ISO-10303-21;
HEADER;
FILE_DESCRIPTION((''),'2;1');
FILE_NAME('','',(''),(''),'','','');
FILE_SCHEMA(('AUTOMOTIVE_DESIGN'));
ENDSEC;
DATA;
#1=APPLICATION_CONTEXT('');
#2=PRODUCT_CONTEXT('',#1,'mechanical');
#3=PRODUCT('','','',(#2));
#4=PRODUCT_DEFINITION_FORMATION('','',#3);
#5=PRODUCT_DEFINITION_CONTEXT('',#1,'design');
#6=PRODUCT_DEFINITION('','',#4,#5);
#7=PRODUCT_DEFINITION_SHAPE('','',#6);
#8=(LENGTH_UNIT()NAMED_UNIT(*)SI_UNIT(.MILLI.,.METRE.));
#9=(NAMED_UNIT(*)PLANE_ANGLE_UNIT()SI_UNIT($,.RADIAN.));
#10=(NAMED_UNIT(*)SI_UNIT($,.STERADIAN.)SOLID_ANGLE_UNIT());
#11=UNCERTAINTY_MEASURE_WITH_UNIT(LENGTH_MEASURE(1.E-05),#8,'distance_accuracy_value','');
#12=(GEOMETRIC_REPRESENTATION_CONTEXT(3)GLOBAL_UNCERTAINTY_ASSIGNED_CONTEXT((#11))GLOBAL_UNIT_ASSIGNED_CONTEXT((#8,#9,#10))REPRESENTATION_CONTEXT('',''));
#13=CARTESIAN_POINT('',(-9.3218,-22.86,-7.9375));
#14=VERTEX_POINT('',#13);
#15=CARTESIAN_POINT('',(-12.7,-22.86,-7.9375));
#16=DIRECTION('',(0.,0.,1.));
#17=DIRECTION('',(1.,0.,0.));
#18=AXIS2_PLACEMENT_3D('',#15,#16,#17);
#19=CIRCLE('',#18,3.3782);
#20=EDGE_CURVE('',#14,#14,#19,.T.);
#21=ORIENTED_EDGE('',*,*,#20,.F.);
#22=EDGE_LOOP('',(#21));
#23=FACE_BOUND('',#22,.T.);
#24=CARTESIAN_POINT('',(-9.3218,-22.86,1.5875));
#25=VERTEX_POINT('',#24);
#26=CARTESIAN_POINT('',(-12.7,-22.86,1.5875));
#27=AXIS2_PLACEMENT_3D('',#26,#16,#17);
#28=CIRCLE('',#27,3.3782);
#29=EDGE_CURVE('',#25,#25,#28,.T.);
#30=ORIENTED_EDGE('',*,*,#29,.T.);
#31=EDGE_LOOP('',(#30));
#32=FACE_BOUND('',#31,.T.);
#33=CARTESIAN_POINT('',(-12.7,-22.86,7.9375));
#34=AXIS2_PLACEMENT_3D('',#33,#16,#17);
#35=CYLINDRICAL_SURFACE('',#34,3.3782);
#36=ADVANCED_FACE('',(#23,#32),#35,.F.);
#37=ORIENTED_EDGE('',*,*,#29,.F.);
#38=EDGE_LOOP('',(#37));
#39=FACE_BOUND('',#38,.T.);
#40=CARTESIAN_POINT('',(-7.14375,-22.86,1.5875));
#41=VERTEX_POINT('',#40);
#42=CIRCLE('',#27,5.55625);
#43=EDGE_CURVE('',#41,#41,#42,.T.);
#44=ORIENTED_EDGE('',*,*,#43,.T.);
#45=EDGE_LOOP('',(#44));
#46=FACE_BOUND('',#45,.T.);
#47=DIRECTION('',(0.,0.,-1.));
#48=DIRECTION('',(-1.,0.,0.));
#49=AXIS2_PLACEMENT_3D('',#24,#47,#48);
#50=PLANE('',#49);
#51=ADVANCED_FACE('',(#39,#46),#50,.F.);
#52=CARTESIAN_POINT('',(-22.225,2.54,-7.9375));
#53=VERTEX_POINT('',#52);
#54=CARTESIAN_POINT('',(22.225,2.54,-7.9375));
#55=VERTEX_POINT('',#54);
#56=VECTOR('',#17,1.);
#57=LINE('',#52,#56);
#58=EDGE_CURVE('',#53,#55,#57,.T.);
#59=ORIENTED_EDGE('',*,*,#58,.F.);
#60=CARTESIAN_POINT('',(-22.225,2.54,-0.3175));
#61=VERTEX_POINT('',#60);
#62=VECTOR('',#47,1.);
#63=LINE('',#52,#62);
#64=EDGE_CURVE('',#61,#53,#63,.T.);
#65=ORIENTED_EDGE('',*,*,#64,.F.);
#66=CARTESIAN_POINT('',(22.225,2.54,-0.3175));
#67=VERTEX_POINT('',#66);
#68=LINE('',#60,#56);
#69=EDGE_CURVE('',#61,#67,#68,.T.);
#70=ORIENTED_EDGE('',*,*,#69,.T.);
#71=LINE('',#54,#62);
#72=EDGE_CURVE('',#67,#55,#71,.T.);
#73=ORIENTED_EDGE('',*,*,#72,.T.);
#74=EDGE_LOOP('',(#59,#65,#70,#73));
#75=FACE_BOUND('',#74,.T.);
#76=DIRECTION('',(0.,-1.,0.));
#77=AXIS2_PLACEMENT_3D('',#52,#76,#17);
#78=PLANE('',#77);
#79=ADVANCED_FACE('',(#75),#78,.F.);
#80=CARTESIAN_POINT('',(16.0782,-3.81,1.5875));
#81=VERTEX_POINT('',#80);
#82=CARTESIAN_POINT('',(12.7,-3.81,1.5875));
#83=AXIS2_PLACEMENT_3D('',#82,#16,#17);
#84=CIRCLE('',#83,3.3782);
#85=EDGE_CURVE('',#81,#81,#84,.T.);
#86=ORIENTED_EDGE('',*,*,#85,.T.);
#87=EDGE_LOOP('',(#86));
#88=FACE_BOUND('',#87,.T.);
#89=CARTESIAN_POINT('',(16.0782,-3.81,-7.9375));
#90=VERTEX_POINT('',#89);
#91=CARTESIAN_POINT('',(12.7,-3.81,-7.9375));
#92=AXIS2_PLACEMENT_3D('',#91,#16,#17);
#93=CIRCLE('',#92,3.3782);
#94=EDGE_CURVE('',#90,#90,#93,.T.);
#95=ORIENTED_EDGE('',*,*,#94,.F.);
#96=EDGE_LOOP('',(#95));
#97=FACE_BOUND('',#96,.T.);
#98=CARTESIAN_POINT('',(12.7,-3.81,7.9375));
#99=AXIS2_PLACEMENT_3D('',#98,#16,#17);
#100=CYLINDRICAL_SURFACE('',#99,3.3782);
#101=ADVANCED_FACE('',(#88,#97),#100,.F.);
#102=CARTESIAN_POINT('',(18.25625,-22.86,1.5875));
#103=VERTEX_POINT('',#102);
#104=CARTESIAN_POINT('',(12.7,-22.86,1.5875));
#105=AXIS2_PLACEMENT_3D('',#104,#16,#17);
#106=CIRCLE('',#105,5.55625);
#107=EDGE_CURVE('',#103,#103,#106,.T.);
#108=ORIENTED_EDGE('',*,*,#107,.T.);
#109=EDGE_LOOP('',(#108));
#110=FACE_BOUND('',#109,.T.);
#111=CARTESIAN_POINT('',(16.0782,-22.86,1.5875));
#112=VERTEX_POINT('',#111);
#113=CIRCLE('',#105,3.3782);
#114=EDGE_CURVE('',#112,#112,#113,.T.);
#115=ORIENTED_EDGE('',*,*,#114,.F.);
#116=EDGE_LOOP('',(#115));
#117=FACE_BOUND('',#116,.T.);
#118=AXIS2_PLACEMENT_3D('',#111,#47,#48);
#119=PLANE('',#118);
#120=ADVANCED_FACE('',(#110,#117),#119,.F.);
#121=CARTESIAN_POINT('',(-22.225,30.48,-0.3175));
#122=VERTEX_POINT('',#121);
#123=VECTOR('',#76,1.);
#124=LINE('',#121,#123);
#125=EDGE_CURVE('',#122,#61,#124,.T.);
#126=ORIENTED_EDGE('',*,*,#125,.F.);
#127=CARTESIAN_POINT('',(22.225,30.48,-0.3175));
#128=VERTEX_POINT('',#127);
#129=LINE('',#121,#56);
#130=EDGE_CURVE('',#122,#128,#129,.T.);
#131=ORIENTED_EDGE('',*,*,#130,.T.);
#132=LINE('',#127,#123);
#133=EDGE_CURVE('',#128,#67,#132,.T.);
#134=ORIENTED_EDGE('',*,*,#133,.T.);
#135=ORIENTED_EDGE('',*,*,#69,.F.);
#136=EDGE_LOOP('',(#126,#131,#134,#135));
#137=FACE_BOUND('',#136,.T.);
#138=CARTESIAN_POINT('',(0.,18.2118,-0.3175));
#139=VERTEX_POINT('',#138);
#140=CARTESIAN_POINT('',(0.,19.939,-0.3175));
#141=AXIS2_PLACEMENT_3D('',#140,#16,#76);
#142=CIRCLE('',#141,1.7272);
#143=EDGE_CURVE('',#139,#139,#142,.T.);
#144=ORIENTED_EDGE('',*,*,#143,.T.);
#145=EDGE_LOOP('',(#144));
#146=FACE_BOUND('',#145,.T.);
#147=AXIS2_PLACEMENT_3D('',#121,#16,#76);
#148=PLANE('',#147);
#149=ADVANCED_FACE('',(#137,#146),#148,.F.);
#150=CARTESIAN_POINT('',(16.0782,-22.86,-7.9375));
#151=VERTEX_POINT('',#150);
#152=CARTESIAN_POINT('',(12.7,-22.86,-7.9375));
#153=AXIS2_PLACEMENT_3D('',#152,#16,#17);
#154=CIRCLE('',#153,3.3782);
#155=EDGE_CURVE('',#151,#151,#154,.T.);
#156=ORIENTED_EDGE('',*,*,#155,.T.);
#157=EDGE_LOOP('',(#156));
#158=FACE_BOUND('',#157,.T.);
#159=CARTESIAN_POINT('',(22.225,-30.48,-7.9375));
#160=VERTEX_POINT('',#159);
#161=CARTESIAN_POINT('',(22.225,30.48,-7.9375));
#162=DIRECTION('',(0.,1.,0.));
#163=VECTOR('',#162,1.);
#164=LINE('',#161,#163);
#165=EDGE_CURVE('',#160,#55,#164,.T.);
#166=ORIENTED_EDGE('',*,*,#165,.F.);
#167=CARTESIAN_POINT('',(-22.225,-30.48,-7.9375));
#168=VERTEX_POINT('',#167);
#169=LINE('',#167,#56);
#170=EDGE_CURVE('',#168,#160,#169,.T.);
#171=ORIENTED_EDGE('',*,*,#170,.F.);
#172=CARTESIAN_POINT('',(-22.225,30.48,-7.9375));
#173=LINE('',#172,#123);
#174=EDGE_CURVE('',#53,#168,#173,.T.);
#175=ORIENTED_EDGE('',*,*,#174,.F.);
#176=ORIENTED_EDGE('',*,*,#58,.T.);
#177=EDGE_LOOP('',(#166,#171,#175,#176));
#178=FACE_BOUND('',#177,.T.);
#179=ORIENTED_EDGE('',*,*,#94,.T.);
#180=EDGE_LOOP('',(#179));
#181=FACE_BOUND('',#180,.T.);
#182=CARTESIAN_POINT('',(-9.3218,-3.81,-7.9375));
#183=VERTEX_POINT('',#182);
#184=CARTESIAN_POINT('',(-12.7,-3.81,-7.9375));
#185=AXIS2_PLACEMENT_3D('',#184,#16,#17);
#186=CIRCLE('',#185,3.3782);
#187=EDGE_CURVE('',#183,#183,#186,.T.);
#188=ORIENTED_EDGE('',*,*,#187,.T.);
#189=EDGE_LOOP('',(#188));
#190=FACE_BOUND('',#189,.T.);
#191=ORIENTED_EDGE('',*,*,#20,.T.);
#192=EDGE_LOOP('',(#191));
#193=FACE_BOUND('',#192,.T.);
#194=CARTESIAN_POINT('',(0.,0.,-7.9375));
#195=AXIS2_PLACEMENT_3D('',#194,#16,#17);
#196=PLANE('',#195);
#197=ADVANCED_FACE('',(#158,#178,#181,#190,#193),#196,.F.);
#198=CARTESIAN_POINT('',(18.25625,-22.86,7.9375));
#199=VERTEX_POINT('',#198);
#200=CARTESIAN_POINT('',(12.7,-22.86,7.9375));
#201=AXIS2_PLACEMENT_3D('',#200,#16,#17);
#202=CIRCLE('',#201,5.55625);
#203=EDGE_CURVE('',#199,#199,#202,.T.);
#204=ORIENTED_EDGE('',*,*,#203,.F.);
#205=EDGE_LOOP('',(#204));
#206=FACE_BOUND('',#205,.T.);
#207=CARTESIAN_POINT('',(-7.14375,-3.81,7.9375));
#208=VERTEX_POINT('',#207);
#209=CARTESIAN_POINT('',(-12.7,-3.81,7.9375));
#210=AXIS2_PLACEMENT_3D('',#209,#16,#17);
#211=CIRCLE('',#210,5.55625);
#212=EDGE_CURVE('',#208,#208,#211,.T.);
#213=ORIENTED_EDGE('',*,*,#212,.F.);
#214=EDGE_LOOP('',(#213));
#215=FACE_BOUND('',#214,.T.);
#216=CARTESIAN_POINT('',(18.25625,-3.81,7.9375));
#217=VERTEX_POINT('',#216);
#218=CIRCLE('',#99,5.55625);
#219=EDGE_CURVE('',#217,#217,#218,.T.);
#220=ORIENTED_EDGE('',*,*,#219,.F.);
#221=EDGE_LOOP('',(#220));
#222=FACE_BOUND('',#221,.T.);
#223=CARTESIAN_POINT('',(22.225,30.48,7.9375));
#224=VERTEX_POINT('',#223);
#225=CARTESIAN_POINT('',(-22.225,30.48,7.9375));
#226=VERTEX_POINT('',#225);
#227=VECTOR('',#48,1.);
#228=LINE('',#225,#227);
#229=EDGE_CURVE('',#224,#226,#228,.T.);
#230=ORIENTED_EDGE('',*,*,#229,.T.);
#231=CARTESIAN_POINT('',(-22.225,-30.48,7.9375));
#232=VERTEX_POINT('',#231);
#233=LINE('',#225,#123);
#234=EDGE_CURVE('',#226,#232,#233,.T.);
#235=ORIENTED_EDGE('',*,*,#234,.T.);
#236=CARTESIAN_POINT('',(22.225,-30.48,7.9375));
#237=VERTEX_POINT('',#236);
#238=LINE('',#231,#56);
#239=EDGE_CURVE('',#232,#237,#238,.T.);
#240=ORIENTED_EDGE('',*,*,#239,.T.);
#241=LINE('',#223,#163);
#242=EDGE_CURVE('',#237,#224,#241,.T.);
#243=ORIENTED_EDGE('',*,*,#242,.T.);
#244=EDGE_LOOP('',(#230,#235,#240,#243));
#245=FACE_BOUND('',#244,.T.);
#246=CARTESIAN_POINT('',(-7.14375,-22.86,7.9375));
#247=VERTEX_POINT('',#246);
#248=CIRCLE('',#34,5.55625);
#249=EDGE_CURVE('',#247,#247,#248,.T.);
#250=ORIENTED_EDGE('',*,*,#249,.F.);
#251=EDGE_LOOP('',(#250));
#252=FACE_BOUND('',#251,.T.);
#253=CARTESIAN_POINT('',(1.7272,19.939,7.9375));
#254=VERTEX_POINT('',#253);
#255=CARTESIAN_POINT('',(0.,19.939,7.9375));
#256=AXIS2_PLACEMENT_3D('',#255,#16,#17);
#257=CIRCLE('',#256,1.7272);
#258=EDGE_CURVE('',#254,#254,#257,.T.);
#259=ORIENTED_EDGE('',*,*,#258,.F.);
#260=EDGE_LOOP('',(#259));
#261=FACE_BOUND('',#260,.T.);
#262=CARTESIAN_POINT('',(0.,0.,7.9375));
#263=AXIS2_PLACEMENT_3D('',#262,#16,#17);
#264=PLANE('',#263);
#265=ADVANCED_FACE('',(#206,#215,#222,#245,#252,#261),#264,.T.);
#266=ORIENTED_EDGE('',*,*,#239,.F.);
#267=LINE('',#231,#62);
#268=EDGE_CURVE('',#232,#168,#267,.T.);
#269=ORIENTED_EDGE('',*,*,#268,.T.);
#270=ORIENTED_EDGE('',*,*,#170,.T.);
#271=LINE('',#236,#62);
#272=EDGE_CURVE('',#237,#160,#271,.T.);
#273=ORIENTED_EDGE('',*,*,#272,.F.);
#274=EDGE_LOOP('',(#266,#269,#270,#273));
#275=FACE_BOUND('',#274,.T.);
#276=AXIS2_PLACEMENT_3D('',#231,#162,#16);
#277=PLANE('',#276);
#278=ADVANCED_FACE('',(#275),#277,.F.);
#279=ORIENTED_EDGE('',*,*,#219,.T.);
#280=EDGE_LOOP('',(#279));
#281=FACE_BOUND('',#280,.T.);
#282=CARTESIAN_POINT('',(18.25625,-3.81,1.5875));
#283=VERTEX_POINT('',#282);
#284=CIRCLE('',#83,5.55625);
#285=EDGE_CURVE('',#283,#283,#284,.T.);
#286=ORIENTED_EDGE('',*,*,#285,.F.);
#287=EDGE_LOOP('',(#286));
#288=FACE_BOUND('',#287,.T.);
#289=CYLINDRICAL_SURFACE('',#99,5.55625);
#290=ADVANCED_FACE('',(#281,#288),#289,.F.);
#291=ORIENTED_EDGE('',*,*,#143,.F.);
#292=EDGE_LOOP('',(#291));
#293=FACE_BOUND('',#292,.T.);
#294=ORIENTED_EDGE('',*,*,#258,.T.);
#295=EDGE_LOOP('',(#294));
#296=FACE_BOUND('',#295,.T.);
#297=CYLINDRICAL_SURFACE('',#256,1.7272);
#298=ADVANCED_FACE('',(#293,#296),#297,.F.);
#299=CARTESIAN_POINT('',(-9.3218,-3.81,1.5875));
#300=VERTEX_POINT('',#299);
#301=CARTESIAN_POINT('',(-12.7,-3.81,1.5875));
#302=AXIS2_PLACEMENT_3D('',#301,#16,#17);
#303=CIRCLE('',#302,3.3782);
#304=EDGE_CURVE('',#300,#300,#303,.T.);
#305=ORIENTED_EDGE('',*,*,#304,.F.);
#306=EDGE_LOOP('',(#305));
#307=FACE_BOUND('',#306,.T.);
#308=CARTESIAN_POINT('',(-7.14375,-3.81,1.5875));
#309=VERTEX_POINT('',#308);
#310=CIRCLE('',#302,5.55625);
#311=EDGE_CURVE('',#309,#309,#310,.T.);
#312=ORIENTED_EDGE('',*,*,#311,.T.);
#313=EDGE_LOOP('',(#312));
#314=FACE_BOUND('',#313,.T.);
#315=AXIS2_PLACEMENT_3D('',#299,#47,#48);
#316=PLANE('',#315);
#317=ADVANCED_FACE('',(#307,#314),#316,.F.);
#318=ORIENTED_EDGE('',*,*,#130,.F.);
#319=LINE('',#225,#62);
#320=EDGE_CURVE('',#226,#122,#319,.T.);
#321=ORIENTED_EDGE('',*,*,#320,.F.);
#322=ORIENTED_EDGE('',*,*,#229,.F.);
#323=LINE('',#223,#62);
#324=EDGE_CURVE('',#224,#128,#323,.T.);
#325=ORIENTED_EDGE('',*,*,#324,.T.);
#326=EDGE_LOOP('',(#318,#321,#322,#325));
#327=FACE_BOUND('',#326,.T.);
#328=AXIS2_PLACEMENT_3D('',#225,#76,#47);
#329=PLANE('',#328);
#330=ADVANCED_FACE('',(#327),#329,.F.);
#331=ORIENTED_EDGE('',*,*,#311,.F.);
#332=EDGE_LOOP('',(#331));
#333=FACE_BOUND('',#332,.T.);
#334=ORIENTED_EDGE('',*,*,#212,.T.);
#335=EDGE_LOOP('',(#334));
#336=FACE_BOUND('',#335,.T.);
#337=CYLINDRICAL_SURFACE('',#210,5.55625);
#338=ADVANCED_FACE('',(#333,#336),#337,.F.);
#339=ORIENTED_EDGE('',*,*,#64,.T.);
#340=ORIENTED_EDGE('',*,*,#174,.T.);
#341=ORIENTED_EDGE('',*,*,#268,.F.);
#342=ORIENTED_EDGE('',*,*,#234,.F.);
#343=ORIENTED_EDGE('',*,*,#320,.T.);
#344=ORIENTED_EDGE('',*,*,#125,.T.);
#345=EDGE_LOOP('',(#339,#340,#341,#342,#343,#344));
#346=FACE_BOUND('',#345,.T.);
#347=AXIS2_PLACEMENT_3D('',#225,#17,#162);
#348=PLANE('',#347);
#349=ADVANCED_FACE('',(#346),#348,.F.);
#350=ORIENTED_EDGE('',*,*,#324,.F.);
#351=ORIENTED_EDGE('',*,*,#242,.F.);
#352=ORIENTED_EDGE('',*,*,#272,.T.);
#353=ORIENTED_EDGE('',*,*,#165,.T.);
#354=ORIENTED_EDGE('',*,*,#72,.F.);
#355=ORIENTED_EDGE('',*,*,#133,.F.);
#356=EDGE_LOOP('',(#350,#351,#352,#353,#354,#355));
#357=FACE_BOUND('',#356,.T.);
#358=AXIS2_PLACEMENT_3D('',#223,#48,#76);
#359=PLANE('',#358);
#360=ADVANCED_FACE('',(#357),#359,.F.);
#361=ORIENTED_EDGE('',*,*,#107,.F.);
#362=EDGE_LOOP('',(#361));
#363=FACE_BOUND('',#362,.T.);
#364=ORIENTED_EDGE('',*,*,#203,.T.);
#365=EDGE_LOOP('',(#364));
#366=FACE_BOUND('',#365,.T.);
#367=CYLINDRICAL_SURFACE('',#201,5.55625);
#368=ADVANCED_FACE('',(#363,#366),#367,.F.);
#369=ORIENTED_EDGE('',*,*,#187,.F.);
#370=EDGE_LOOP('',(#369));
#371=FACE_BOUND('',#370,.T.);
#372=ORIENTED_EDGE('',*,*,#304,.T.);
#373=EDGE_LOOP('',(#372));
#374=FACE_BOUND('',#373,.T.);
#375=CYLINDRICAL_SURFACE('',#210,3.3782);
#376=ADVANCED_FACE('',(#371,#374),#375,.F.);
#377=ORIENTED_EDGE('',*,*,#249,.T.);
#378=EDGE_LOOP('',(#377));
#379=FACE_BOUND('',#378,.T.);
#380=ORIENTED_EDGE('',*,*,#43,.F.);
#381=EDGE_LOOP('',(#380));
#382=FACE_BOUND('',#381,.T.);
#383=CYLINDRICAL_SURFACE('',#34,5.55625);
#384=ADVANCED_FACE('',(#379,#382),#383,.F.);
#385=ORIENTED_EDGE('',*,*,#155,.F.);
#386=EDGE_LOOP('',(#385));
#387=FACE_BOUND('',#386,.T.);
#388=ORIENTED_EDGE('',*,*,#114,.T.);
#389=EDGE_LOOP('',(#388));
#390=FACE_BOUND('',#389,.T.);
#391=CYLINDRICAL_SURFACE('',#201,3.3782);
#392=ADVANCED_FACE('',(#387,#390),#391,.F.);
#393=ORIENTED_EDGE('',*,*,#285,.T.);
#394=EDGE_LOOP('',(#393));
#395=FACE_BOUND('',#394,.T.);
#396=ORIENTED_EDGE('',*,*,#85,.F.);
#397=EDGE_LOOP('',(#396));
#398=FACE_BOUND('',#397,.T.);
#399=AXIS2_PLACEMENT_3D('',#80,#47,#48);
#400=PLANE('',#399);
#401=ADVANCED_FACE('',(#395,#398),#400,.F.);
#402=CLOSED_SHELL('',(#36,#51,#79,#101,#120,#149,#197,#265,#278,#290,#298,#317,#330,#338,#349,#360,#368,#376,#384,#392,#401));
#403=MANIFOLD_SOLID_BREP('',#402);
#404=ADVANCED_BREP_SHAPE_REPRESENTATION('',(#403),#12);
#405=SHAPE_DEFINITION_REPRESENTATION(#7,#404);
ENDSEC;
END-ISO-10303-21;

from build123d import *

# Parameters (mm, degrees)
SKETCH1_W                                        = 44.45
SKETCH1_H                                        = 60.96
BOSS_EXTRUDE1_DEPTH                              = 7.9375
CBORE_FOR_1_4_SOCKET_HEAD_CAP_SCREW1_D           = 6.7564
CBORE_FOR_1_4_SOCKET_HEAD_CAP_SCREW1_CBORE_D     = 11.1125
CBORE_FOR_1_4_SOCKET_HEAD_CAP_SCREW1_CBORE_DEPTH = 6.35
SKETCH4_W                                        = 7.62
SKETCH4_H                                        = 27.94
CUT_EXTRUDE1_DEPTH                               = 45.45
F_8_32_TAPPED_HOLE1_D                            = 3.4544


with BuildPart() as part:
    # Sketch1 → Boss-Extrude1 (new body, symmetric)
    with BuildSketch(Plane.XY):
        Rectangle(SKETCH1_W, SKETCH1_H)
    extrude(amount=BOSS_EXTRUDE1_DEPTH, both=True)

    # CBORE for 1/4 Socket Head Cap Screw1 (through all)
    with Locations(Plane.XY.offset(7.9375)):
        with Locations((-12.7, -3.81), (12.7, -3.81), (12.7, -22.86), (-12.7, -22.86)):
            CounterBoreHole(CBORE_FOR_1_4_SOCKET_HEAD_CAP_SCREW1_D / 2, CBORE_FOR_1_4_SOCKET_HEAD_CAP_SCREW1_CBORE_D / 2, CBORE_FOR_1_4_SOCKET_HEAD_CAP_SCREW1_CBORE_DEPTH)

    # Sketch4 → Cut-Extrude1 (cut, through all)
    with BuildSketch(Plane(origin=(22.225, 0, 0), x_dir=(0, 0, -1), z_dir=(1, 0, 0))):
        with Locations((4.1275, 16.51)):
            Rectangle(SKETCH4_W, SKETCH4_H)
    extrude(amount=-CUT_EXTRUDE1_DEPTH, mode=Mode.SUBTRACT)

    # #8-32 Tapped Hole1 (through all)
    with Locations(Plane.XY.offset(7.9375)):
        with Locations((0, 19.939)):
            Hole(F_8_32_TAPPED_HOLE1_D / 2)


solid = part.part
